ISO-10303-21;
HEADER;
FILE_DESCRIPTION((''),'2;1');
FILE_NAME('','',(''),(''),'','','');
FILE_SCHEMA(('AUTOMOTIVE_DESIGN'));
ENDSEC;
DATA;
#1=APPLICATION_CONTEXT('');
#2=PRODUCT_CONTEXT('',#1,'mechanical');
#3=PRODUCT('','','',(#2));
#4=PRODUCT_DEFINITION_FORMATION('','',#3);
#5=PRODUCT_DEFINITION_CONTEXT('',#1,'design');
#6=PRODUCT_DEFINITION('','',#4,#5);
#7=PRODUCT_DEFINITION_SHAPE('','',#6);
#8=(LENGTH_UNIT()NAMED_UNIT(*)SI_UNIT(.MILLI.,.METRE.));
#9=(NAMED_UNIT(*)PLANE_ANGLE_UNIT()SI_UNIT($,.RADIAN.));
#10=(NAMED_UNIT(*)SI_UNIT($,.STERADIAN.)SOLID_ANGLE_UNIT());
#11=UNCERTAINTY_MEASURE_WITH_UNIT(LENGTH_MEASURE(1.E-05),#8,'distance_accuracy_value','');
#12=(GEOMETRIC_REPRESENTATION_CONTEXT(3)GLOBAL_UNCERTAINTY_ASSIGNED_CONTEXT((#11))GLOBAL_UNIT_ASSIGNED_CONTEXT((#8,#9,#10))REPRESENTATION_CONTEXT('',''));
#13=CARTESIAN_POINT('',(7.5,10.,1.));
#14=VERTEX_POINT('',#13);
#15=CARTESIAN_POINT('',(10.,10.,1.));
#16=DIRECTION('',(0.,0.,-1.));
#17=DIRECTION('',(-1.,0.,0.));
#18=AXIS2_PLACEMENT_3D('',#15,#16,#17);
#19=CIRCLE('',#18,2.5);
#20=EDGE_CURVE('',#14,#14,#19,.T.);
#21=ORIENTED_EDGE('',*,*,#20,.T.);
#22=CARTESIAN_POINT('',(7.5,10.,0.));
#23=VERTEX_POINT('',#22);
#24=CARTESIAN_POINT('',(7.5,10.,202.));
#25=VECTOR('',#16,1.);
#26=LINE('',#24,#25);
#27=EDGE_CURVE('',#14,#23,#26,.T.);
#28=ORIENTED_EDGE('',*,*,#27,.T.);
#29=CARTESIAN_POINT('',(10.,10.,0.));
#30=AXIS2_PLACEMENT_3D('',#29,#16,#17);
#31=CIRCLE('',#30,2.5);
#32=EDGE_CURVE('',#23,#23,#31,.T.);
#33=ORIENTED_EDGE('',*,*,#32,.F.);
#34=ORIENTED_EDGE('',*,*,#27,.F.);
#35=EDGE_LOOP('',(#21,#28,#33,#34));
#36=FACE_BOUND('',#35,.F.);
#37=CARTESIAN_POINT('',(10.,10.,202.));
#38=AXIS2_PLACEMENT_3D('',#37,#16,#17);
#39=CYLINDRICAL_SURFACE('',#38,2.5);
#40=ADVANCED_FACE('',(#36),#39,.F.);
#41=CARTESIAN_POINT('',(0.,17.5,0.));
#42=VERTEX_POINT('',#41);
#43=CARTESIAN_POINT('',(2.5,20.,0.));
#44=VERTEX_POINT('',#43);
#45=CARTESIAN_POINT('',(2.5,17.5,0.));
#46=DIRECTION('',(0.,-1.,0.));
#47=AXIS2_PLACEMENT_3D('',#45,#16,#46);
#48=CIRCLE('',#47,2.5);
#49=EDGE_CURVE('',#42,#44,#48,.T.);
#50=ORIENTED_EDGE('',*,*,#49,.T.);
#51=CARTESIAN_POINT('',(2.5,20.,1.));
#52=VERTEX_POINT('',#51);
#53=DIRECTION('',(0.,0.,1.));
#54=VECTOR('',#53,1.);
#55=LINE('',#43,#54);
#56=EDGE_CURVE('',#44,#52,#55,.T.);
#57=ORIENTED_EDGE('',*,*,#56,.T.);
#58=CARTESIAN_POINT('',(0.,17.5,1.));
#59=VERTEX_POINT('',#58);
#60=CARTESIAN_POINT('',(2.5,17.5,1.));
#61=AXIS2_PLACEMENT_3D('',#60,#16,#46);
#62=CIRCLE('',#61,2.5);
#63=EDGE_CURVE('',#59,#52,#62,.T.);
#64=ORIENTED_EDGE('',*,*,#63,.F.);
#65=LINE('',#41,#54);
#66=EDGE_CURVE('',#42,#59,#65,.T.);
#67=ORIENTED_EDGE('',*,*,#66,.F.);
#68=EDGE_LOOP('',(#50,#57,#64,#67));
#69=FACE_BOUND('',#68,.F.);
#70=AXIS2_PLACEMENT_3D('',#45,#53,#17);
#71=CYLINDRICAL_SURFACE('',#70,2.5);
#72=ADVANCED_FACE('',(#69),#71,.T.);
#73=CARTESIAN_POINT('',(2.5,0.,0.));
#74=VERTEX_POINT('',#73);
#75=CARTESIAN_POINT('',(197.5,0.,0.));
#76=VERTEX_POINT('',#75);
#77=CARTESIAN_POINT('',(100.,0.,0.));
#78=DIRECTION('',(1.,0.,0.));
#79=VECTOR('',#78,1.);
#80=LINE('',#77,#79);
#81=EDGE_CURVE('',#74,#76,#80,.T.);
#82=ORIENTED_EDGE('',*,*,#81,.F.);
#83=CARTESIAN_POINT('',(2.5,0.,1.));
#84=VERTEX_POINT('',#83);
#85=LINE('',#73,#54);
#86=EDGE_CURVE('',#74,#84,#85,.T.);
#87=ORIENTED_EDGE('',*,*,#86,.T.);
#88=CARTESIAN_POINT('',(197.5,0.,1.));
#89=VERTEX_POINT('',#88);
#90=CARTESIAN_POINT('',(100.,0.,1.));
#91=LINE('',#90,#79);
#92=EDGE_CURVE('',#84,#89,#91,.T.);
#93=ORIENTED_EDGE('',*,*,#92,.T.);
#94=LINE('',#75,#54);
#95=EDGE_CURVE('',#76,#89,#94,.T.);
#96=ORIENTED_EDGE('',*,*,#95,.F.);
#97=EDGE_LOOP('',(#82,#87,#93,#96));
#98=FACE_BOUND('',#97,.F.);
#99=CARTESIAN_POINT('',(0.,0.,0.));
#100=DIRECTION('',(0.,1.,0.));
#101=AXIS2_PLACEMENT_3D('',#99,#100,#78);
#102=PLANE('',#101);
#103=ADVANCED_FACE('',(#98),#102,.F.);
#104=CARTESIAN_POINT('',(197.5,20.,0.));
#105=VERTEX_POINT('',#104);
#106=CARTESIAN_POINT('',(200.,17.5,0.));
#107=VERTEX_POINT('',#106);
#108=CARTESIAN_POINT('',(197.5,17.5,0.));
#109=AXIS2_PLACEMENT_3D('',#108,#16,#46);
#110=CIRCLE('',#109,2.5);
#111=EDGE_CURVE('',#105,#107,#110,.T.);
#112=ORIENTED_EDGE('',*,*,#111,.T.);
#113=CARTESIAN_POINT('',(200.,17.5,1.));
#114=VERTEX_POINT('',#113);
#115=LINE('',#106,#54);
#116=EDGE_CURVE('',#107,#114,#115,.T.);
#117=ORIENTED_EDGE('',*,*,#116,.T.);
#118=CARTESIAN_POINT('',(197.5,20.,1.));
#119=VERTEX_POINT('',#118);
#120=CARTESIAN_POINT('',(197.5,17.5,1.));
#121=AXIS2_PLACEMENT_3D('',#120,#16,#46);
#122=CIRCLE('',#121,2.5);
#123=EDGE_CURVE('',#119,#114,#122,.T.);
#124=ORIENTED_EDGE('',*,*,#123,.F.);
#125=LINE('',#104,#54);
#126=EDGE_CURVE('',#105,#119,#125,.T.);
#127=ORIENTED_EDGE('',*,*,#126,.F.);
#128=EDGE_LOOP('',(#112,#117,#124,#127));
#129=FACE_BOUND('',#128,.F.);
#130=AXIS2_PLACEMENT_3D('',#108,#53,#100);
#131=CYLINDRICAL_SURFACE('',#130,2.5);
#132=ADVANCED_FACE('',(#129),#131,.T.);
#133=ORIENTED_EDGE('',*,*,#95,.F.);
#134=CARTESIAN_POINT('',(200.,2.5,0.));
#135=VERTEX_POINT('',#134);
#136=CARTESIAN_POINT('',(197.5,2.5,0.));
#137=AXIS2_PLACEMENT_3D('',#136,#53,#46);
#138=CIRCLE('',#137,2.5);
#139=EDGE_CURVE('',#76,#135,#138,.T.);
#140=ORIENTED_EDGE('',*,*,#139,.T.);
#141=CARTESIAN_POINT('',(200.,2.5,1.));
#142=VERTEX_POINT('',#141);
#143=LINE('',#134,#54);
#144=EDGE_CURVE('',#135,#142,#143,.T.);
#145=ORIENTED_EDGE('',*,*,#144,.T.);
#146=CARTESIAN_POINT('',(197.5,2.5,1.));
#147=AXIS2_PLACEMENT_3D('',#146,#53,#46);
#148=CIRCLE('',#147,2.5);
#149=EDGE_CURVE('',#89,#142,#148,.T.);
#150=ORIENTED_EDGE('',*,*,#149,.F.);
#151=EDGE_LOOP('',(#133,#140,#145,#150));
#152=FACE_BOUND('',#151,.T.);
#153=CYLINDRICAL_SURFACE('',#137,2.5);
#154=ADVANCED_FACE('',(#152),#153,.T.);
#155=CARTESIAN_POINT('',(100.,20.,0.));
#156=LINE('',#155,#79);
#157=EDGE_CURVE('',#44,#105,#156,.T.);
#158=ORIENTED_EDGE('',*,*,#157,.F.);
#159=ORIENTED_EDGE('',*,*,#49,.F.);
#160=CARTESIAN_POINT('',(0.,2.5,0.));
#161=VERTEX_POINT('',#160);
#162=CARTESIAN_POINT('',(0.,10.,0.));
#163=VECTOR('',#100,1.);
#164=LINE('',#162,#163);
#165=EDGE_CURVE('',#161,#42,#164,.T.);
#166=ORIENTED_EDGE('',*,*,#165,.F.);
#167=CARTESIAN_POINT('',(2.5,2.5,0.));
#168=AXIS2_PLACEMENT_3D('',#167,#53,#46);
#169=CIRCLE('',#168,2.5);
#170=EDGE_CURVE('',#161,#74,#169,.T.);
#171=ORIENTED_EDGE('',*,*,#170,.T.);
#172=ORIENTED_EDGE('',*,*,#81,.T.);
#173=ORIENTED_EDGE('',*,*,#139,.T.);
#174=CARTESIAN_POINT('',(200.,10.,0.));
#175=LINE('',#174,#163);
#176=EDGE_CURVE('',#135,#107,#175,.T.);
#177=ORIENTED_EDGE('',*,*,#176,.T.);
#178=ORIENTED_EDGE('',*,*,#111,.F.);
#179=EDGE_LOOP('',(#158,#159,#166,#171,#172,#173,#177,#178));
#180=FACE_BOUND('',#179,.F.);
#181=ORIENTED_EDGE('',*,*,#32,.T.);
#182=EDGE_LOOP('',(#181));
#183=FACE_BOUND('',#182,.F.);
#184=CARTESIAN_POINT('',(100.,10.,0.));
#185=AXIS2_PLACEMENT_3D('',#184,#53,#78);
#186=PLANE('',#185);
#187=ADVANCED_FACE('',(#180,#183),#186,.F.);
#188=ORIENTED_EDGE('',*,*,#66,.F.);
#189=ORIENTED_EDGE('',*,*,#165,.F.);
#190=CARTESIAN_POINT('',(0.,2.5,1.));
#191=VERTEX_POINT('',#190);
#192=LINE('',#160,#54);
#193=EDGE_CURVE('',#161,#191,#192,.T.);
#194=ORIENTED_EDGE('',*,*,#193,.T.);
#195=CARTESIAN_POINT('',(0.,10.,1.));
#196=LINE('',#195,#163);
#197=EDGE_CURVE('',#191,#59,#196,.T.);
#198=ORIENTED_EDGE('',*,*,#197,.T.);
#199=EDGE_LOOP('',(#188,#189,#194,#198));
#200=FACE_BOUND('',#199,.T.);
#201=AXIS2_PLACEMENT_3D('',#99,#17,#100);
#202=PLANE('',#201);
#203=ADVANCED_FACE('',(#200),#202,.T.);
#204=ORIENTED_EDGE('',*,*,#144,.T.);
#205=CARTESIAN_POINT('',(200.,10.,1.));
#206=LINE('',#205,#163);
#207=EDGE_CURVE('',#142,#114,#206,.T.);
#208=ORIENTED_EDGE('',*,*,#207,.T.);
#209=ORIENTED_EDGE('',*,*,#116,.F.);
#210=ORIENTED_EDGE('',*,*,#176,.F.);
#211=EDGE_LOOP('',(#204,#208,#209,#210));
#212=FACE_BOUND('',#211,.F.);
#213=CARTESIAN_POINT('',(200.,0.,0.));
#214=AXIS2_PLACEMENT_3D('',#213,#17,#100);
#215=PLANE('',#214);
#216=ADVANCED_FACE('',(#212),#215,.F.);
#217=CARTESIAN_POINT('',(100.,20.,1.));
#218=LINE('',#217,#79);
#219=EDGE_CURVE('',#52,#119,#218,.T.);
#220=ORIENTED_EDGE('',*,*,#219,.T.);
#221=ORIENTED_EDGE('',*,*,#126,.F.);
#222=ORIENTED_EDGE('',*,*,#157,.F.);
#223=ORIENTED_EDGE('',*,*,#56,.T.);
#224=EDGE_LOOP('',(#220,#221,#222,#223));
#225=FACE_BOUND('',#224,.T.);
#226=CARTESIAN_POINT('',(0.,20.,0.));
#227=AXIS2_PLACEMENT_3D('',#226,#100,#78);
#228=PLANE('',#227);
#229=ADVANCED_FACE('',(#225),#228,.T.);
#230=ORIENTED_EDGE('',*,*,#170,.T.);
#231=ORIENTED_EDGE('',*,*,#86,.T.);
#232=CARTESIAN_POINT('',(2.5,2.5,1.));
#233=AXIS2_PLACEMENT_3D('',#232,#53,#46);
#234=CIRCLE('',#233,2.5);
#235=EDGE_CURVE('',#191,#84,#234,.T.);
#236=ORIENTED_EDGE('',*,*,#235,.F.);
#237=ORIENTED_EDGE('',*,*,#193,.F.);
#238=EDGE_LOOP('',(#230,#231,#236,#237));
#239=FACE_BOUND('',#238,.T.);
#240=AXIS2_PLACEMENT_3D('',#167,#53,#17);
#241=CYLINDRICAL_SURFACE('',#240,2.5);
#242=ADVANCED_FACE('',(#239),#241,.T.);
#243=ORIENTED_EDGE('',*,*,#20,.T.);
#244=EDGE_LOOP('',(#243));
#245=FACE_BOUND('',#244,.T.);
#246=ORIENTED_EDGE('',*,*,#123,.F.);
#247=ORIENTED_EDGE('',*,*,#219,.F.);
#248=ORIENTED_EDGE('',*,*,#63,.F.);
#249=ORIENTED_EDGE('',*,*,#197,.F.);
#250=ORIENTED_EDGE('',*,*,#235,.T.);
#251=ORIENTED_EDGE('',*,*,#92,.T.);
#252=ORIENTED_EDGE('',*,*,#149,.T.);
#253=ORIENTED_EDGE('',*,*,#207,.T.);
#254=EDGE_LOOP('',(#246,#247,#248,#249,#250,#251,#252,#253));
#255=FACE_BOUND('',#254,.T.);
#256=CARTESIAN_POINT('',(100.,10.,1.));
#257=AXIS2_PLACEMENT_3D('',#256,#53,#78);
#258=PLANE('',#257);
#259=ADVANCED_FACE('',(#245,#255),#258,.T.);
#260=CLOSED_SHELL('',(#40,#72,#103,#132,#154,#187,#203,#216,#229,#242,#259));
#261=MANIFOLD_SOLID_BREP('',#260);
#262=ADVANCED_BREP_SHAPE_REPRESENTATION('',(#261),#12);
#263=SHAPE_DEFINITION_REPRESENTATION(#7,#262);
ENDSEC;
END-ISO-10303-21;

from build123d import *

# Parameters (mm, degrees)
F0_W     = 200
F0_H     = 20
F1_DEPTH = 1
F3_D     = 5
F4_R     = 2.5


with BuildPart() as f1:
    # F0 (on Top) → F1 (new body)
    with BuildSketch(Plane.XY):
        with Locations((100, 10)):
            Rectangle(F0_W, F0_H)
    extrude(amount=F1_DEPTH)

    # F3 (through all)
    with Locations(Plane.XY.offset(1)):
        with Locations((10, 10)):
            Hole(F3_D / 2)

    # F4
    f4_edges = [f1.edges().sort_by_distance(p)[0] for p in [
        (0, 20, 0.5),
        (0, 0, 0.5),
        (200, 0, 0.5),
        (200, 20, 0.5),
    ]]
    fillet(f4_edges, radius=F4_R)


solid = f1.part
